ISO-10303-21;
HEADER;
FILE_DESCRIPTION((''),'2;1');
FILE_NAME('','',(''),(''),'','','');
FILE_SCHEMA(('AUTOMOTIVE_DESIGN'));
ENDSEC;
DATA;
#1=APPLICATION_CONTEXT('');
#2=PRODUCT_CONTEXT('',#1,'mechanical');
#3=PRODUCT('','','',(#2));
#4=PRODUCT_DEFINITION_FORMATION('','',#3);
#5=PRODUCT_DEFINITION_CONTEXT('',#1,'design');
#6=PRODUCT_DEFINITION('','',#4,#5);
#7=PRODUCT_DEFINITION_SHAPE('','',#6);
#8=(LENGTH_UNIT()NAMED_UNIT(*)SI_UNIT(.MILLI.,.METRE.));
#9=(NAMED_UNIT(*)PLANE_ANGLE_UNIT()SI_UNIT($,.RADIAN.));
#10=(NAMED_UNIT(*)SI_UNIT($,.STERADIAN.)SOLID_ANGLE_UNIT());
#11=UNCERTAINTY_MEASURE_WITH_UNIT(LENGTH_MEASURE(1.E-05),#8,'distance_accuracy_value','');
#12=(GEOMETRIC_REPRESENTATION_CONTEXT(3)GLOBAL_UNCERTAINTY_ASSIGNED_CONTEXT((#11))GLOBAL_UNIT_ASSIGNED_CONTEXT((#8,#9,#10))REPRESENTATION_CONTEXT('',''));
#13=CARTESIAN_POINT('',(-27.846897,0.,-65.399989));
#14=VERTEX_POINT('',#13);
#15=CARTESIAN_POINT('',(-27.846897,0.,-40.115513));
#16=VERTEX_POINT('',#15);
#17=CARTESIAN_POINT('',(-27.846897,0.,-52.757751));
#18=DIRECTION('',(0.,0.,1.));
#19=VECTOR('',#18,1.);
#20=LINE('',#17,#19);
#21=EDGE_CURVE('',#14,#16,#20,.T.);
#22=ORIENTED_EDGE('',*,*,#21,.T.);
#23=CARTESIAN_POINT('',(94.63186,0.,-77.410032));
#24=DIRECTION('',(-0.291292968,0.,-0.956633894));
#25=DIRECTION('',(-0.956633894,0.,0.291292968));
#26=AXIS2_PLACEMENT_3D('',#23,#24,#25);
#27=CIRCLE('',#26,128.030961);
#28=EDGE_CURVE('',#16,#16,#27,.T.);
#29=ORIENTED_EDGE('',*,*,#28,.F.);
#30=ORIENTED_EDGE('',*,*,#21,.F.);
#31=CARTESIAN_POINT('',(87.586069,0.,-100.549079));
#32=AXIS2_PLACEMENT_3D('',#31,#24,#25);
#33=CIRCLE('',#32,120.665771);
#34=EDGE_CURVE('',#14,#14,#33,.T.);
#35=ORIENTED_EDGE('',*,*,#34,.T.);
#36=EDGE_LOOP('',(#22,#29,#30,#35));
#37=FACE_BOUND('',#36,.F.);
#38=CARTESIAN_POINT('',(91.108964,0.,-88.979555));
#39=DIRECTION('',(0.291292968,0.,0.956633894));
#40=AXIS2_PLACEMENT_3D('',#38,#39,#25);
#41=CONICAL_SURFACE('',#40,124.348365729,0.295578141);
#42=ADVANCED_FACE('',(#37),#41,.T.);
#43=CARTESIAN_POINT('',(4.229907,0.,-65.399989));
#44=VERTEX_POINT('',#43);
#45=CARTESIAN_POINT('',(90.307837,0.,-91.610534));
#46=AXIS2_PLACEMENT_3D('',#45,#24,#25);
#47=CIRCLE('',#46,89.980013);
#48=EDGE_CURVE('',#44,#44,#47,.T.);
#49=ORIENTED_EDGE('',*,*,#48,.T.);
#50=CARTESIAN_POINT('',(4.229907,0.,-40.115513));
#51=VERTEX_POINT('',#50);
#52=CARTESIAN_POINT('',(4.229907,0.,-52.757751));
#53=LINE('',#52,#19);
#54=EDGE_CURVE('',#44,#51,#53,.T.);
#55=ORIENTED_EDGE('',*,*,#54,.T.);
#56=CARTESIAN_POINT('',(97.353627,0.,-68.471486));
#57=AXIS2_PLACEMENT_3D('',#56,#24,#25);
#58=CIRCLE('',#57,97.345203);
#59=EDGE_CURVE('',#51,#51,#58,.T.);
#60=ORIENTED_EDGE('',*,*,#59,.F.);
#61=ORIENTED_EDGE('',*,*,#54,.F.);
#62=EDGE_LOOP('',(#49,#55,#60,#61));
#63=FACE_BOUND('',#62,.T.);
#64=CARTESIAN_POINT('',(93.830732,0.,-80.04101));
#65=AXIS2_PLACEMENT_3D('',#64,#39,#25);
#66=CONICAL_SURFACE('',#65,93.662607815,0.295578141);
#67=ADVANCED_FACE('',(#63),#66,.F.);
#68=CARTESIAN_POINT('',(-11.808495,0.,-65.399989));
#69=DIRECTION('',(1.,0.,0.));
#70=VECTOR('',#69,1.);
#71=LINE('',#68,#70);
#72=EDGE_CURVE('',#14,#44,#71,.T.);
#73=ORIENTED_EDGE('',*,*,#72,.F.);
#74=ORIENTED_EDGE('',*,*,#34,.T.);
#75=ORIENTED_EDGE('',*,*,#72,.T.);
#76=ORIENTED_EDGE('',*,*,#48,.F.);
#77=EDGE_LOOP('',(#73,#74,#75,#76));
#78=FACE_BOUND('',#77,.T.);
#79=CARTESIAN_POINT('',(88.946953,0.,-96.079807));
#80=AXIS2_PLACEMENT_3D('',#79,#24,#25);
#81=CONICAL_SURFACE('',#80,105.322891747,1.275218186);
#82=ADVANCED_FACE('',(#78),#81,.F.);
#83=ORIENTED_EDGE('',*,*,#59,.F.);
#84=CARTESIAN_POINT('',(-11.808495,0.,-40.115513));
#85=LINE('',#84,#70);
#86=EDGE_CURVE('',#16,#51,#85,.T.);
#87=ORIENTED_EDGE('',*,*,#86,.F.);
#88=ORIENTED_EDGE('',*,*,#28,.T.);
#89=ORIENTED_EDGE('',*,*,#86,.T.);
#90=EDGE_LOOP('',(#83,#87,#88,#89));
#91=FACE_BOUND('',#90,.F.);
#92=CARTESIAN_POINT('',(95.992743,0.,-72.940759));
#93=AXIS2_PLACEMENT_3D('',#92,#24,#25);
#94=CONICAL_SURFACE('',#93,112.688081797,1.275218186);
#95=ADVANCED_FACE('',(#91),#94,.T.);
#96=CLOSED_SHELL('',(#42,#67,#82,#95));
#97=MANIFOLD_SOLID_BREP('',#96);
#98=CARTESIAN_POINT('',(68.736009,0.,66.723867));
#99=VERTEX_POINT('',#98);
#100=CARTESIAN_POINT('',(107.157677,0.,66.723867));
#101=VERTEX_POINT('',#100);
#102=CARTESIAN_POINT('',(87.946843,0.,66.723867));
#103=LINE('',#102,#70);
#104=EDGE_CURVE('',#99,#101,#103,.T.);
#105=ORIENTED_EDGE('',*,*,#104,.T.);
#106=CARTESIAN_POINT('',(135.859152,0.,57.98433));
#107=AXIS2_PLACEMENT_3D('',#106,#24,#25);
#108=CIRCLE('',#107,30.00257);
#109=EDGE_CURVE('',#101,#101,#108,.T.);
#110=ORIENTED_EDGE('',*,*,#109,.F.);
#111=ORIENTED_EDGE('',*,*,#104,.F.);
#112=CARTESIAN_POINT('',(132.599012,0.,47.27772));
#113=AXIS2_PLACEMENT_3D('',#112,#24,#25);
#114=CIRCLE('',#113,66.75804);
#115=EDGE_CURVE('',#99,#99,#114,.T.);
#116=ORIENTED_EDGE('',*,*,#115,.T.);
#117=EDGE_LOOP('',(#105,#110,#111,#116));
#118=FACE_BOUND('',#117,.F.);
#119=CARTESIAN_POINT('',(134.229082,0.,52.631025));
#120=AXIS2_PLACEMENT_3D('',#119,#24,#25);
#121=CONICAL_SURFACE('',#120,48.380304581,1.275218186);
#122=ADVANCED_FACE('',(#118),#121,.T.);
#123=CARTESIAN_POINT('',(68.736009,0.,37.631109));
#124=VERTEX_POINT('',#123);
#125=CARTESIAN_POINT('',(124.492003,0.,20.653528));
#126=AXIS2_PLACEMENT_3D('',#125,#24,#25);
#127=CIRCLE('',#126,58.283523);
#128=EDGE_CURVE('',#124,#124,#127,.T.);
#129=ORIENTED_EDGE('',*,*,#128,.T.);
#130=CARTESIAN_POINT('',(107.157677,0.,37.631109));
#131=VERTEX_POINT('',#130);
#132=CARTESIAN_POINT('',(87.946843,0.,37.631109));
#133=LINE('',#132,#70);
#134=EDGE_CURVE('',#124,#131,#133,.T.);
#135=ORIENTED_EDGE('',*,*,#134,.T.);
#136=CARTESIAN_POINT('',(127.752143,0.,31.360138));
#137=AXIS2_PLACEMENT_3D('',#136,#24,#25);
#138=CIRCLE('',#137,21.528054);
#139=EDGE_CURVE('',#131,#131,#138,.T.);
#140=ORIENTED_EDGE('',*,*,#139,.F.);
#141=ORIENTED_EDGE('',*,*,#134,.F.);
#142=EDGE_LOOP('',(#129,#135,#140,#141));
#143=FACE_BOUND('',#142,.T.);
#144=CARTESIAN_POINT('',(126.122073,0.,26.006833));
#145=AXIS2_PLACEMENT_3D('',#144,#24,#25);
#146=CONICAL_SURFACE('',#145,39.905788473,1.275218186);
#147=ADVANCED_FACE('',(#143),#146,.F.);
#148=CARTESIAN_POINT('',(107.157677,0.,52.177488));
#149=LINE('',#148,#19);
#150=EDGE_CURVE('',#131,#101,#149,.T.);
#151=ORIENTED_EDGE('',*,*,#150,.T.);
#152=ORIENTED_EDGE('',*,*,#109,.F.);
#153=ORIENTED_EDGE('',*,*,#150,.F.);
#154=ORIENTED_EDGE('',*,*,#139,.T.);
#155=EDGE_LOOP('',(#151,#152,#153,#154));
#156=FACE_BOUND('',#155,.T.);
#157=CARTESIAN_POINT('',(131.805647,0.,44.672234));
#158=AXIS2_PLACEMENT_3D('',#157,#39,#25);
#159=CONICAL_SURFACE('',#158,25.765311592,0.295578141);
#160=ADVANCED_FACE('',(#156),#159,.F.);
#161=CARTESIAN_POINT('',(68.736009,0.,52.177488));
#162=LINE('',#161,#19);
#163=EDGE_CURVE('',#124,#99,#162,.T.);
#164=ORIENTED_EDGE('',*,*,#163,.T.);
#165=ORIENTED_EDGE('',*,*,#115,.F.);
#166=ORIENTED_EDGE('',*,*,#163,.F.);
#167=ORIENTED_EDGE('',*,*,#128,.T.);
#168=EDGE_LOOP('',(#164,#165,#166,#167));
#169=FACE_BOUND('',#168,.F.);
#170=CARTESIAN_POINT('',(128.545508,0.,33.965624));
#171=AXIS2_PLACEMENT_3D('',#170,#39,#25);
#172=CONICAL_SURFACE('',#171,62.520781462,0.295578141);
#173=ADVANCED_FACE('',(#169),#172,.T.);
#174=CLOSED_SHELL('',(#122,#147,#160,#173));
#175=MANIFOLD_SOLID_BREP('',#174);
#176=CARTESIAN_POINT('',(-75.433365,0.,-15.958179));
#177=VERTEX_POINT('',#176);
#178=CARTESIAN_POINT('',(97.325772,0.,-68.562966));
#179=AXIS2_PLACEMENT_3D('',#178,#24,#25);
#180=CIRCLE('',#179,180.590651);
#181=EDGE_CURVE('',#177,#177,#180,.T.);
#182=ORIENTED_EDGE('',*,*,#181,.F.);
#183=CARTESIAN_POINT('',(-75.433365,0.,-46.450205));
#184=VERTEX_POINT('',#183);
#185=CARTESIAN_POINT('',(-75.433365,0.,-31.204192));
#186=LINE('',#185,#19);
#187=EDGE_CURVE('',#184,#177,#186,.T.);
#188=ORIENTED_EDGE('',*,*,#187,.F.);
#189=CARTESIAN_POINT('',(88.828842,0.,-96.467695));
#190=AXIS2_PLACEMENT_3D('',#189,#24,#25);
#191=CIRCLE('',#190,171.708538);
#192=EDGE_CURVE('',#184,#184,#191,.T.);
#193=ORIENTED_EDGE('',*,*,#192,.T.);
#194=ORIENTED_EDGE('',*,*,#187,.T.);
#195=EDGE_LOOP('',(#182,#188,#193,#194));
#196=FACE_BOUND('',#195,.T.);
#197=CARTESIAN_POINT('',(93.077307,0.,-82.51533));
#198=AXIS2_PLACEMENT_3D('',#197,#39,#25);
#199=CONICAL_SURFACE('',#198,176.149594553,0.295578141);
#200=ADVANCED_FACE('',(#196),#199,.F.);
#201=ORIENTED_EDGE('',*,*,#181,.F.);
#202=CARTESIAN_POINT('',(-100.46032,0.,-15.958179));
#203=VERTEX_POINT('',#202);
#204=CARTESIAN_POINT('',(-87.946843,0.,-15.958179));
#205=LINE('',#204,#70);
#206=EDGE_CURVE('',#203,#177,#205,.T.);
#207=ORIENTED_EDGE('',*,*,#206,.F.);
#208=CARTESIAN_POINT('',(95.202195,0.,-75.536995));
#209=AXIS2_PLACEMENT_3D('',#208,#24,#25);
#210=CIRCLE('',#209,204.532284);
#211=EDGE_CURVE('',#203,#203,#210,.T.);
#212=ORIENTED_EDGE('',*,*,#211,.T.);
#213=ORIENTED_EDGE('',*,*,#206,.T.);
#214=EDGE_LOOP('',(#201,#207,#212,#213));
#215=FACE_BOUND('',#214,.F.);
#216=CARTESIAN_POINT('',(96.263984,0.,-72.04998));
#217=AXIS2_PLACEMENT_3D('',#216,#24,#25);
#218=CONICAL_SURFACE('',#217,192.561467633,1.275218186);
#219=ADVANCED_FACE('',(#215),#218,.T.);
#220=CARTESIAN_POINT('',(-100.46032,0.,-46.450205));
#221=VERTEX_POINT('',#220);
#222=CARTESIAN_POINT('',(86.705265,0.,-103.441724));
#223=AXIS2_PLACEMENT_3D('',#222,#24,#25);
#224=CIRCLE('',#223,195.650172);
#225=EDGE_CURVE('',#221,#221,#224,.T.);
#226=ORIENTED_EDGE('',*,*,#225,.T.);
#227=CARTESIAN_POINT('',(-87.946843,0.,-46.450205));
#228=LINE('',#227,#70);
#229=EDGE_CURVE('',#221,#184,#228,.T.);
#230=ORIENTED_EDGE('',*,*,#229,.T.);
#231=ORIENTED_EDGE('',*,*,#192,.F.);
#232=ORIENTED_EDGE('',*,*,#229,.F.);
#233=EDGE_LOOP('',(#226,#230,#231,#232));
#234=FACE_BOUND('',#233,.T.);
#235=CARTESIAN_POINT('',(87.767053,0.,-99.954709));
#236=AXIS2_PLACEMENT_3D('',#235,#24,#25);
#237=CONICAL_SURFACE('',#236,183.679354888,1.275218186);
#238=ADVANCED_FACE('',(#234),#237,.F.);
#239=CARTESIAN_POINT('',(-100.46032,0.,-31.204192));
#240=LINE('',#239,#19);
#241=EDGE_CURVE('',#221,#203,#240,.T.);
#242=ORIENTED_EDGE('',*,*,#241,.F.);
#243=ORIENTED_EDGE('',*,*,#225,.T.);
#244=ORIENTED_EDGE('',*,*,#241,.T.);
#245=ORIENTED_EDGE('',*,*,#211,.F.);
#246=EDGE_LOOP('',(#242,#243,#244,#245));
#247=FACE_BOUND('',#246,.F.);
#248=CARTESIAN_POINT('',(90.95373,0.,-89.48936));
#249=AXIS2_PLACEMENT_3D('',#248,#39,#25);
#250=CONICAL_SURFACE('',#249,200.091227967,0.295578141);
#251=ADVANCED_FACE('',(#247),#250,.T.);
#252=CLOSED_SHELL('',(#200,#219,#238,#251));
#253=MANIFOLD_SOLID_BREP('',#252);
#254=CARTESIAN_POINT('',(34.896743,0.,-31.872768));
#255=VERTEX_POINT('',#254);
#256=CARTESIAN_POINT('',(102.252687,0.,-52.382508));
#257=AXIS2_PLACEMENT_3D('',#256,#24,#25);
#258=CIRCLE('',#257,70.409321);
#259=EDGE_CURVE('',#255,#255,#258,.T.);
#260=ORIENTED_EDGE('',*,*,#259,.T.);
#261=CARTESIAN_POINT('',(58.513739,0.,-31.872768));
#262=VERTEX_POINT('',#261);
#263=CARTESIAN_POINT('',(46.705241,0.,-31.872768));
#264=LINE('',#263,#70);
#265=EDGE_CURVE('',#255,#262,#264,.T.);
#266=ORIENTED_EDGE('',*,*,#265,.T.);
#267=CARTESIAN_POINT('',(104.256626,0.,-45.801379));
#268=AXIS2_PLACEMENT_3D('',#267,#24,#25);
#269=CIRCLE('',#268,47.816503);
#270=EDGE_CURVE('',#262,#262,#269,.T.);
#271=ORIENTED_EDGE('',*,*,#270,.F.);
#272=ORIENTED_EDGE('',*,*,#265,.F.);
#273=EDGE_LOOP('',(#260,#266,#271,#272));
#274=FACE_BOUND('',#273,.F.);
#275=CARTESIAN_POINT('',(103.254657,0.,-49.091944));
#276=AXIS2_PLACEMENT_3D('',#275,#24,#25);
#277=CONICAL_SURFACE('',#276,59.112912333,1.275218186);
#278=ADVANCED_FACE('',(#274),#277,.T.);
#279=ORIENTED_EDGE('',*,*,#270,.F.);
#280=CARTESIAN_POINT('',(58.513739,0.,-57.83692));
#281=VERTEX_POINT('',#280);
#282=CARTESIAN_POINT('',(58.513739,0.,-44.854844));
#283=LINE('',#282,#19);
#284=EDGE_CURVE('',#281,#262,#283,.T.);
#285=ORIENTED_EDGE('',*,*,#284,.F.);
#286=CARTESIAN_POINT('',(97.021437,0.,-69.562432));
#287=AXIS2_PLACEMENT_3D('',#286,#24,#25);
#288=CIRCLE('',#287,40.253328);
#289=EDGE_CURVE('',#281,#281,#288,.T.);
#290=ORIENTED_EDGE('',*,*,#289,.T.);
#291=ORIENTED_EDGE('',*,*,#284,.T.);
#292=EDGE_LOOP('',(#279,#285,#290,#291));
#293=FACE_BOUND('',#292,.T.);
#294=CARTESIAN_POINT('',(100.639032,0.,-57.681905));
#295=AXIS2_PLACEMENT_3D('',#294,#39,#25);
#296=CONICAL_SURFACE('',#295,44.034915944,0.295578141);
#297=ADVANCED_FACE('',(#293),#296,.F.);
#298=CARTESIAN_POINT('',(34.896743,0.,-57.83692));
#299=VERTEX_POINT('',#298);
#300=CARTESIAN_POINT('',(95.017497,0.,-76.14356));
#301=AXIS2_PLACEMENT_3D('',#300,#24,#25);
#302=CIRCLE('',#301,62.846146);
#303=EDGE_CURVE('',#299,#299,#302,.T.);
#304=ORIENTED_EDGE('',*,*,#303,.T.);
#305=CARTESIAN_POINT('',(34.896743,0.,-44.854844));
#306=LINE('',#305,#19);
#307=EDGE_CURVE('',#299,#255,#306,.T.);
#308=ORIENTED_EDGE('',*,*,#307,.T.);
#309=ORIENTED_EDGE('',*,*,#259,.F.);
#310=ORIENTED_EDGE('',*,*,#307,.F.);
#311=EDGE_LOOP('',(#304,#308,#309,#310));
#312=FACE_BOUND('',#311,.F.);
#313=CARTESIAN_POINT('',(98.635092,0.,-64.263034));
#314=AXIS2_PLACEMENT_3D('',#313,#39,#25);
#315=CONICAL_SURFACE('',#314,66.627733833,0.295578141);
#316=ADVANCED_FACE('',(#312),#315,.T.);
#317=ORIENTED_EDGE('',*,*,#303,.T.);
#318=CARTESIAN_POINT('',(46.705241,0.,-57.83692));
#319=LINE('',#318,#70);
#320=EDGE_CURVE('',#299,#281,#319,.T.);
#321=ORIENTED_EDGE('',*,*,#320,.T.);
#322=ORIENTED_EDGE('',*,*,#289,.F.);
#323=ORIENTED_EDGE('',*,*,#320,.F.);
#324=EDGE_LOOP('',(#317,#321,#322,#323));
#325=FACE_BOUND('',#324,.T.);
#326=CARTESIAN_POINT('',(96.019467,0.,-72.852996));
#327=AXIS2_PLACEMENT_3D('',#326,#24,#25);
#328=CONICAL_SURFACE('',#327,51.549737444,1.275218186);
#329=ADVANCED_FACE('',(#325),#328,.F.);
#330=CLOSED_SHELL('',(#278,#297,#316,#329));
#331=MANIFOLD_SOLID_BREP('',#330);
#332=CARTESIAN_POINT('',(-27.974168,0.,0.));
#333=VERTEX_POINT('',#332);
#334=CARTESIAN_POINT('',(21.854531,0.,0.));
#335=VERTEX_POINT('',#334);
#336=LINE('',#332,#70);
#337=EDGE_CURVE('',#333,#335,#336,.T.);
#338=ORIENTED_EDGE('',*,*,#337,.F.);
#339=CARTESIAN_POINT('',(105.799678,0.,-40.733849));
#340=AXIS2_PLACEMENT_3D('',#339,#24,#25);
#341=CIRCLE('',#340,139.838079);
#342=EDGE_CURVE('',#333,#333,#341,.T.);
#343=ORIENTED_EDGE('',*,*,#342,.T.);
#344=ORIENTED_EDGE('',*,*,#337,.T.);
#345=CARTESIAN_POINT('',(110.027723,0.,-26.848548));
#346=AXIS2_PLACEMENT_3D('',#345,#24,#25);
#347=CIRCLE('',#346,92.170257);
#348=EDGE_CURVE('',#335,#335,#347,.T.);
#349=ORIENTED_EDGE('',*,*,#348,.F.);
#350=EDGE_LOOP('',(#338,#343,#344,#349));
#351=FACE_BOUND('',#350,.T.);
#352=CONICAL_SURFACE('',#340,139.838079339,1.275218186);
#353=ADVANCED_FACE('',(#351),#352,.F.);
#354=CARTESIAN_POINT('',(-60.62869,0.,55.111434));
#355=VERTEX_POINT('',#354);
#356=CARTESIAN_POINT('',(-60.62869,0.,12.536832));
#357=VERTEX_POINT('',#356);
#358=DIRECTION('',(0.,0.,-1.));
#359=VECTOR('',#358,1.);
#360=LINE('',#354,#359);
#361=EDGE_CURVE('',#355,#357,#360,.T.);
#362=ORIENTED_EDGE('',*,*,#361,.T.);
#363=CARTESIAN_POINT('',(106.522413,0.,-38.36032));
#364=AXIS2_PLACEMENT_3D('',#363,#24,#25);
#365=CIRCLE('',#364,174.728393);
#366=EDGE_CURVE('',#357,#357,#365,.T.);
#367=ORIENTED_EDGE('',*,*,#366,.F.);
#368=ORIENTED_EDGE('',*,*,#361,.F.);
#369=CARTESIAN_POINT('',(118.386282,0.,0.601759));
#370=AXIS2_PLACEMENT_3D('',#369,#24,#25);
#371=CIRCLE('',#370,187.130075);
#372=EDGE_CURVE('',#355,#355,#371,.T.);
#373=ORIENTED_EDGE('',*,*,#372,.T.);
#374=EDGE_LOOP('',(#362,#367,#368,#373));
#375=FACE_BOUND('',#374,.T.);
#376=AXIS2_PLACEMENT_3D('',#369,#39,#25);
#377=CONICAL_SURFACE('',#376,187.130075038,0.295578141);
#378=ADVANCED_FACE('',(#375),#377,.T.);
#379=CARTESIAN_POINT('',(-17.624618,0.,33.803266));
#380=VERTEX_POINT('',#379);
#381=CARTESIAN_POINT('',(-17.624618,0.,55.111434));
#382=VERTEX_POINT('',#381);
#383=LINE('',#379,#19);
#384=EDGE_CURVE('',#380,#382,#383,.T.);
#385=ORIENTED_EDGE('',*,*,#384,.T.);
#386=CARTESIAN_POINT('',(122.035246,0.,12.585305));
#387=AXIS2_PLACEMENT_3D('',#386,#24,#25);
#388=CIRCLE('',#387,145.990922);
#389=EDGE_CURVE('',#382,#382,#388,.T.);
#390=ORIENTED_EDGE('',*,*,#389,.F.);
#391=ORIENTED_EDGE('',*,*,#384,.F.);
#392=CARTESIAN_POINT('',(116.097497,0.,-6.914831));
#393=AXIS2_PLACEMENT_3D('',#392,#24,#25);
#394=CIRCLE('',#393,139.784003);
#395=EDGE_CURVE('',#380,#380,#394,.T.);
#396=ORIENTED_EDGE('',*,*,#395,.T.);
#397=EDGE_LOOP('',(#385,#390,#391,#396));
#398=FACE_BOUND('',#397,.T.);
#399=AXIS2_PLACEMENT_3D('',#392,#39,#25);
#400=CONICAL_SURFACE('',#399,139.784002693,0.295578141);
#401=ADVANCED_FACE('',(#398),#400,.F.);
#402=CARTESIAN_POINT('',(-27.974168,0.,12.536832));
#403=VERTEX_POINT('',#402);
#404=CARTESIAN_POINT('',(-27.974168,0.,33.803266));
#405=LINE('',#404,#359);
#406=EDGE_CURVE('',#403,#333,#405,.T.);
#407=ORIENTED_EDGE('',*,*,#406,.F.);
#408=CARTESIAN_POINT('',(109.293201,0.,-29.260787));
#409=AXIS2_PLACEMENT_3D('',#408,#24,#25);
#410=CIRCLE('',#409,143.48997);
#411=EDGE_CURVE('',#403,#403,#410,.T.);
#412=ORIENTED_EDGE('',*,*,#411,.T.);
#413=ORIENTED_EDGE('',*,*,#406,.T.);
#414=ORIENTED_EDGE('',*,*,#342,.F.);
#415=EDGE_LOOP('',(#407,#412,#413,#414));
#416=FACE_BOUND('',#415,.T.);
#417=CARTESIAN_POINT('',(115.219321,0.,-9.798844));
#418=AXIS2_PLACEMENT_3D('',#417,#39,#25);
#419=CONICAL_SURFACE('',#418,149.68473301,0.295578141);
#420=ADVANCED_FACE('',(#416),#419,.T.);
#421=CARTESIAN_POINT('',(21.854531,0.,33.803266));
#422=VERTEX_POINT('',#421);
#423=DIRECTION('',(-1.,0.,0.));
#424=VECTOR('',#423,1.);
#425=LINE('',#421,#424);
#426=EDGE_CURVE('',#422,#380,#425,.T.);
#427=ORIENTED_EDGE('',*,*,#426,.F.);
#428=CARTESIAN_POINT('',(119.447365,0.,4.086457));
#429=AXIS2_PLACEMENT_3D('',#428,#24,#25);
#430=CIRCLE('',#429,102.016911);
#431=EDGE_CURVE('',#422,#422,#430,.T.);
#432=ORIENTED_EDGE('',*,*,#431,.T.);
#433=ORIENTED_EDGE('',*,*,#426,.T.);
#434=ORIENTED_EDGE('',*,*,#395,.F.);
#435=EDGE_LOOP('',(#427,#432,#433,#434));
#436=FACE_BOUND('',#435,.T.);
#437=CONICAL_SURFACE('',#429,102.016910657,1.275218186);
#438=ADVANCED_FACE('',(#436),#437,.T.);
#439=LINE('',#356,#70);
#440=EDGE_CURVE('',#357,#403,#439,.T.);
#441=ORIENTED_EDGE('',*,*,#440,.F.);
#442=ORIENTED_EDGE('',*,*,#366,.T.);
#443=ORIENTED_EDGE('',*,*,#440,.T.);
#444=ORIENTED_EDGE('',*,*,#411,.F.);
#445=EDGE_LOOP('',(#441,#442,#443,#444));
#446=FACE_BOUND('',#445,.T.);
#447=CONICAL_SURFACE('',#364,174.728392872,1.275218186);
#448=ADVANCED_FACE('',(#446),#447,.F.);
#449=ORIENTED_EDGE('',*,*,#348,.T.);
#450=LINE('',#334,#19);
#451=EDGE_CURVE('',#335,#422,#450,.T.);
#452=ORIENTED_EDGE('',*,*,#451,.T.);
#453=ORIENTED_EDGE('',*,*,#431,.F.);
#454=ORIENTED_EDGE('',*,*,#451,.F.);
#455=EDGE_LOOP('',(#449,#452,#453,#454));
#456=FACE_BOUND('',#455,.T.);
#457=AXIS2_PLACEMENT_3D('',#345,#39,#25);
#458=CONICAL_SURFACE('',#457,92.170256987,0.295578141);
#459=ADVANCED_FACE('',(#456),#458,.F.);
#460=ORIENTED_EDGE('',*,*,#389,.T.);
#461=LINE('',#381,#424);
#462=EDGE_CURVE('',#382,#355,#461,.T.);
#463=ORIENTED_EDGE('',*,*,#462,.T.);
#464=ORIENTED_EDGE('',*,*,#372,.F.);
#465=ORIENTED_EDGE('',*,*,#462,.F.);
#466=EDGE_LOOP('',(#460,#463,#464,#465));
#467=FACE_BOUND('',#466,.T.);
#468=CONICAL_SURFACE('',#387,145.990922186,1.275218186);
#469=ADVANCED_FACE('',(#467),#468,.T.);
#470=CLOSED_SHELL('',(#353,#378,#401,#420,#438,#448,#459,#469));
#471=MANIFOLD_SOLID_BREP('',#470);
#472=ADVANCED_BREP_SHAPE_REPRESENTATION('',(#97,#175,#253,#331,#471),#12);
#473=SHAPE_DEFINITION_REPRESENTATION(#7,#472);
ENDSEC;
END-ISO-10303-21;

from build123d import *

# Parameters (mm, degrees)
F0_W   = 23.616995
F0_H   = 25.964152
F0_W_2 = 38.421668
F0_H_2 = 29.092759
F0_W_3 = 10.34955
F0_H_3 = 21.266434
F0_W_4 = 25.026955
F0_H_4 = 30.492026
F0_W_5 = 32.076804
F0_H_5 = 25.284476


with BuildPart() as f1:
    # F0 (on Front) → F1 (revolve)
    with BuildSketch(Plane.XZ):
        with Locations((46.705241, -44.854844)):
            Rectangle(F0_W, F0_H)
        with Locations((87.946843, 52.177488)):
            Rectangle(F0_W_2, F0_H_2)
        Polygon((21.854531, 33.803266), (-17.624618, 33.803266), (-17.624618, 12.536832), (-27.974168, 12.536832), (-27.974168, 0), (21.854531, 0), align=None)
        with Locations((-22.799393, 23.170049)):
            Rectangle(F0_W_3, F0_H_3)
        with Locations((-87.946843, -31.204192)):
            Rectangle(F0_W_4, F0_H_4)
        with Locations((-11.808495, -52.757751)):
            Rectangle(F0_W_5, F0_H_5)
        Polygon((-17.624618, 55.111434), (-60.62869, 55.111434), (-60.62869, 12.536832), (-27.974168, 12.536832), (-27.974168, 33.803266), (-17.624618, 33.803266), align=None)
    revolve(axis=Axis((116.057582, 0, -7.045915), (-0.291293, 0, -0.956634)))


solid = f1.part
